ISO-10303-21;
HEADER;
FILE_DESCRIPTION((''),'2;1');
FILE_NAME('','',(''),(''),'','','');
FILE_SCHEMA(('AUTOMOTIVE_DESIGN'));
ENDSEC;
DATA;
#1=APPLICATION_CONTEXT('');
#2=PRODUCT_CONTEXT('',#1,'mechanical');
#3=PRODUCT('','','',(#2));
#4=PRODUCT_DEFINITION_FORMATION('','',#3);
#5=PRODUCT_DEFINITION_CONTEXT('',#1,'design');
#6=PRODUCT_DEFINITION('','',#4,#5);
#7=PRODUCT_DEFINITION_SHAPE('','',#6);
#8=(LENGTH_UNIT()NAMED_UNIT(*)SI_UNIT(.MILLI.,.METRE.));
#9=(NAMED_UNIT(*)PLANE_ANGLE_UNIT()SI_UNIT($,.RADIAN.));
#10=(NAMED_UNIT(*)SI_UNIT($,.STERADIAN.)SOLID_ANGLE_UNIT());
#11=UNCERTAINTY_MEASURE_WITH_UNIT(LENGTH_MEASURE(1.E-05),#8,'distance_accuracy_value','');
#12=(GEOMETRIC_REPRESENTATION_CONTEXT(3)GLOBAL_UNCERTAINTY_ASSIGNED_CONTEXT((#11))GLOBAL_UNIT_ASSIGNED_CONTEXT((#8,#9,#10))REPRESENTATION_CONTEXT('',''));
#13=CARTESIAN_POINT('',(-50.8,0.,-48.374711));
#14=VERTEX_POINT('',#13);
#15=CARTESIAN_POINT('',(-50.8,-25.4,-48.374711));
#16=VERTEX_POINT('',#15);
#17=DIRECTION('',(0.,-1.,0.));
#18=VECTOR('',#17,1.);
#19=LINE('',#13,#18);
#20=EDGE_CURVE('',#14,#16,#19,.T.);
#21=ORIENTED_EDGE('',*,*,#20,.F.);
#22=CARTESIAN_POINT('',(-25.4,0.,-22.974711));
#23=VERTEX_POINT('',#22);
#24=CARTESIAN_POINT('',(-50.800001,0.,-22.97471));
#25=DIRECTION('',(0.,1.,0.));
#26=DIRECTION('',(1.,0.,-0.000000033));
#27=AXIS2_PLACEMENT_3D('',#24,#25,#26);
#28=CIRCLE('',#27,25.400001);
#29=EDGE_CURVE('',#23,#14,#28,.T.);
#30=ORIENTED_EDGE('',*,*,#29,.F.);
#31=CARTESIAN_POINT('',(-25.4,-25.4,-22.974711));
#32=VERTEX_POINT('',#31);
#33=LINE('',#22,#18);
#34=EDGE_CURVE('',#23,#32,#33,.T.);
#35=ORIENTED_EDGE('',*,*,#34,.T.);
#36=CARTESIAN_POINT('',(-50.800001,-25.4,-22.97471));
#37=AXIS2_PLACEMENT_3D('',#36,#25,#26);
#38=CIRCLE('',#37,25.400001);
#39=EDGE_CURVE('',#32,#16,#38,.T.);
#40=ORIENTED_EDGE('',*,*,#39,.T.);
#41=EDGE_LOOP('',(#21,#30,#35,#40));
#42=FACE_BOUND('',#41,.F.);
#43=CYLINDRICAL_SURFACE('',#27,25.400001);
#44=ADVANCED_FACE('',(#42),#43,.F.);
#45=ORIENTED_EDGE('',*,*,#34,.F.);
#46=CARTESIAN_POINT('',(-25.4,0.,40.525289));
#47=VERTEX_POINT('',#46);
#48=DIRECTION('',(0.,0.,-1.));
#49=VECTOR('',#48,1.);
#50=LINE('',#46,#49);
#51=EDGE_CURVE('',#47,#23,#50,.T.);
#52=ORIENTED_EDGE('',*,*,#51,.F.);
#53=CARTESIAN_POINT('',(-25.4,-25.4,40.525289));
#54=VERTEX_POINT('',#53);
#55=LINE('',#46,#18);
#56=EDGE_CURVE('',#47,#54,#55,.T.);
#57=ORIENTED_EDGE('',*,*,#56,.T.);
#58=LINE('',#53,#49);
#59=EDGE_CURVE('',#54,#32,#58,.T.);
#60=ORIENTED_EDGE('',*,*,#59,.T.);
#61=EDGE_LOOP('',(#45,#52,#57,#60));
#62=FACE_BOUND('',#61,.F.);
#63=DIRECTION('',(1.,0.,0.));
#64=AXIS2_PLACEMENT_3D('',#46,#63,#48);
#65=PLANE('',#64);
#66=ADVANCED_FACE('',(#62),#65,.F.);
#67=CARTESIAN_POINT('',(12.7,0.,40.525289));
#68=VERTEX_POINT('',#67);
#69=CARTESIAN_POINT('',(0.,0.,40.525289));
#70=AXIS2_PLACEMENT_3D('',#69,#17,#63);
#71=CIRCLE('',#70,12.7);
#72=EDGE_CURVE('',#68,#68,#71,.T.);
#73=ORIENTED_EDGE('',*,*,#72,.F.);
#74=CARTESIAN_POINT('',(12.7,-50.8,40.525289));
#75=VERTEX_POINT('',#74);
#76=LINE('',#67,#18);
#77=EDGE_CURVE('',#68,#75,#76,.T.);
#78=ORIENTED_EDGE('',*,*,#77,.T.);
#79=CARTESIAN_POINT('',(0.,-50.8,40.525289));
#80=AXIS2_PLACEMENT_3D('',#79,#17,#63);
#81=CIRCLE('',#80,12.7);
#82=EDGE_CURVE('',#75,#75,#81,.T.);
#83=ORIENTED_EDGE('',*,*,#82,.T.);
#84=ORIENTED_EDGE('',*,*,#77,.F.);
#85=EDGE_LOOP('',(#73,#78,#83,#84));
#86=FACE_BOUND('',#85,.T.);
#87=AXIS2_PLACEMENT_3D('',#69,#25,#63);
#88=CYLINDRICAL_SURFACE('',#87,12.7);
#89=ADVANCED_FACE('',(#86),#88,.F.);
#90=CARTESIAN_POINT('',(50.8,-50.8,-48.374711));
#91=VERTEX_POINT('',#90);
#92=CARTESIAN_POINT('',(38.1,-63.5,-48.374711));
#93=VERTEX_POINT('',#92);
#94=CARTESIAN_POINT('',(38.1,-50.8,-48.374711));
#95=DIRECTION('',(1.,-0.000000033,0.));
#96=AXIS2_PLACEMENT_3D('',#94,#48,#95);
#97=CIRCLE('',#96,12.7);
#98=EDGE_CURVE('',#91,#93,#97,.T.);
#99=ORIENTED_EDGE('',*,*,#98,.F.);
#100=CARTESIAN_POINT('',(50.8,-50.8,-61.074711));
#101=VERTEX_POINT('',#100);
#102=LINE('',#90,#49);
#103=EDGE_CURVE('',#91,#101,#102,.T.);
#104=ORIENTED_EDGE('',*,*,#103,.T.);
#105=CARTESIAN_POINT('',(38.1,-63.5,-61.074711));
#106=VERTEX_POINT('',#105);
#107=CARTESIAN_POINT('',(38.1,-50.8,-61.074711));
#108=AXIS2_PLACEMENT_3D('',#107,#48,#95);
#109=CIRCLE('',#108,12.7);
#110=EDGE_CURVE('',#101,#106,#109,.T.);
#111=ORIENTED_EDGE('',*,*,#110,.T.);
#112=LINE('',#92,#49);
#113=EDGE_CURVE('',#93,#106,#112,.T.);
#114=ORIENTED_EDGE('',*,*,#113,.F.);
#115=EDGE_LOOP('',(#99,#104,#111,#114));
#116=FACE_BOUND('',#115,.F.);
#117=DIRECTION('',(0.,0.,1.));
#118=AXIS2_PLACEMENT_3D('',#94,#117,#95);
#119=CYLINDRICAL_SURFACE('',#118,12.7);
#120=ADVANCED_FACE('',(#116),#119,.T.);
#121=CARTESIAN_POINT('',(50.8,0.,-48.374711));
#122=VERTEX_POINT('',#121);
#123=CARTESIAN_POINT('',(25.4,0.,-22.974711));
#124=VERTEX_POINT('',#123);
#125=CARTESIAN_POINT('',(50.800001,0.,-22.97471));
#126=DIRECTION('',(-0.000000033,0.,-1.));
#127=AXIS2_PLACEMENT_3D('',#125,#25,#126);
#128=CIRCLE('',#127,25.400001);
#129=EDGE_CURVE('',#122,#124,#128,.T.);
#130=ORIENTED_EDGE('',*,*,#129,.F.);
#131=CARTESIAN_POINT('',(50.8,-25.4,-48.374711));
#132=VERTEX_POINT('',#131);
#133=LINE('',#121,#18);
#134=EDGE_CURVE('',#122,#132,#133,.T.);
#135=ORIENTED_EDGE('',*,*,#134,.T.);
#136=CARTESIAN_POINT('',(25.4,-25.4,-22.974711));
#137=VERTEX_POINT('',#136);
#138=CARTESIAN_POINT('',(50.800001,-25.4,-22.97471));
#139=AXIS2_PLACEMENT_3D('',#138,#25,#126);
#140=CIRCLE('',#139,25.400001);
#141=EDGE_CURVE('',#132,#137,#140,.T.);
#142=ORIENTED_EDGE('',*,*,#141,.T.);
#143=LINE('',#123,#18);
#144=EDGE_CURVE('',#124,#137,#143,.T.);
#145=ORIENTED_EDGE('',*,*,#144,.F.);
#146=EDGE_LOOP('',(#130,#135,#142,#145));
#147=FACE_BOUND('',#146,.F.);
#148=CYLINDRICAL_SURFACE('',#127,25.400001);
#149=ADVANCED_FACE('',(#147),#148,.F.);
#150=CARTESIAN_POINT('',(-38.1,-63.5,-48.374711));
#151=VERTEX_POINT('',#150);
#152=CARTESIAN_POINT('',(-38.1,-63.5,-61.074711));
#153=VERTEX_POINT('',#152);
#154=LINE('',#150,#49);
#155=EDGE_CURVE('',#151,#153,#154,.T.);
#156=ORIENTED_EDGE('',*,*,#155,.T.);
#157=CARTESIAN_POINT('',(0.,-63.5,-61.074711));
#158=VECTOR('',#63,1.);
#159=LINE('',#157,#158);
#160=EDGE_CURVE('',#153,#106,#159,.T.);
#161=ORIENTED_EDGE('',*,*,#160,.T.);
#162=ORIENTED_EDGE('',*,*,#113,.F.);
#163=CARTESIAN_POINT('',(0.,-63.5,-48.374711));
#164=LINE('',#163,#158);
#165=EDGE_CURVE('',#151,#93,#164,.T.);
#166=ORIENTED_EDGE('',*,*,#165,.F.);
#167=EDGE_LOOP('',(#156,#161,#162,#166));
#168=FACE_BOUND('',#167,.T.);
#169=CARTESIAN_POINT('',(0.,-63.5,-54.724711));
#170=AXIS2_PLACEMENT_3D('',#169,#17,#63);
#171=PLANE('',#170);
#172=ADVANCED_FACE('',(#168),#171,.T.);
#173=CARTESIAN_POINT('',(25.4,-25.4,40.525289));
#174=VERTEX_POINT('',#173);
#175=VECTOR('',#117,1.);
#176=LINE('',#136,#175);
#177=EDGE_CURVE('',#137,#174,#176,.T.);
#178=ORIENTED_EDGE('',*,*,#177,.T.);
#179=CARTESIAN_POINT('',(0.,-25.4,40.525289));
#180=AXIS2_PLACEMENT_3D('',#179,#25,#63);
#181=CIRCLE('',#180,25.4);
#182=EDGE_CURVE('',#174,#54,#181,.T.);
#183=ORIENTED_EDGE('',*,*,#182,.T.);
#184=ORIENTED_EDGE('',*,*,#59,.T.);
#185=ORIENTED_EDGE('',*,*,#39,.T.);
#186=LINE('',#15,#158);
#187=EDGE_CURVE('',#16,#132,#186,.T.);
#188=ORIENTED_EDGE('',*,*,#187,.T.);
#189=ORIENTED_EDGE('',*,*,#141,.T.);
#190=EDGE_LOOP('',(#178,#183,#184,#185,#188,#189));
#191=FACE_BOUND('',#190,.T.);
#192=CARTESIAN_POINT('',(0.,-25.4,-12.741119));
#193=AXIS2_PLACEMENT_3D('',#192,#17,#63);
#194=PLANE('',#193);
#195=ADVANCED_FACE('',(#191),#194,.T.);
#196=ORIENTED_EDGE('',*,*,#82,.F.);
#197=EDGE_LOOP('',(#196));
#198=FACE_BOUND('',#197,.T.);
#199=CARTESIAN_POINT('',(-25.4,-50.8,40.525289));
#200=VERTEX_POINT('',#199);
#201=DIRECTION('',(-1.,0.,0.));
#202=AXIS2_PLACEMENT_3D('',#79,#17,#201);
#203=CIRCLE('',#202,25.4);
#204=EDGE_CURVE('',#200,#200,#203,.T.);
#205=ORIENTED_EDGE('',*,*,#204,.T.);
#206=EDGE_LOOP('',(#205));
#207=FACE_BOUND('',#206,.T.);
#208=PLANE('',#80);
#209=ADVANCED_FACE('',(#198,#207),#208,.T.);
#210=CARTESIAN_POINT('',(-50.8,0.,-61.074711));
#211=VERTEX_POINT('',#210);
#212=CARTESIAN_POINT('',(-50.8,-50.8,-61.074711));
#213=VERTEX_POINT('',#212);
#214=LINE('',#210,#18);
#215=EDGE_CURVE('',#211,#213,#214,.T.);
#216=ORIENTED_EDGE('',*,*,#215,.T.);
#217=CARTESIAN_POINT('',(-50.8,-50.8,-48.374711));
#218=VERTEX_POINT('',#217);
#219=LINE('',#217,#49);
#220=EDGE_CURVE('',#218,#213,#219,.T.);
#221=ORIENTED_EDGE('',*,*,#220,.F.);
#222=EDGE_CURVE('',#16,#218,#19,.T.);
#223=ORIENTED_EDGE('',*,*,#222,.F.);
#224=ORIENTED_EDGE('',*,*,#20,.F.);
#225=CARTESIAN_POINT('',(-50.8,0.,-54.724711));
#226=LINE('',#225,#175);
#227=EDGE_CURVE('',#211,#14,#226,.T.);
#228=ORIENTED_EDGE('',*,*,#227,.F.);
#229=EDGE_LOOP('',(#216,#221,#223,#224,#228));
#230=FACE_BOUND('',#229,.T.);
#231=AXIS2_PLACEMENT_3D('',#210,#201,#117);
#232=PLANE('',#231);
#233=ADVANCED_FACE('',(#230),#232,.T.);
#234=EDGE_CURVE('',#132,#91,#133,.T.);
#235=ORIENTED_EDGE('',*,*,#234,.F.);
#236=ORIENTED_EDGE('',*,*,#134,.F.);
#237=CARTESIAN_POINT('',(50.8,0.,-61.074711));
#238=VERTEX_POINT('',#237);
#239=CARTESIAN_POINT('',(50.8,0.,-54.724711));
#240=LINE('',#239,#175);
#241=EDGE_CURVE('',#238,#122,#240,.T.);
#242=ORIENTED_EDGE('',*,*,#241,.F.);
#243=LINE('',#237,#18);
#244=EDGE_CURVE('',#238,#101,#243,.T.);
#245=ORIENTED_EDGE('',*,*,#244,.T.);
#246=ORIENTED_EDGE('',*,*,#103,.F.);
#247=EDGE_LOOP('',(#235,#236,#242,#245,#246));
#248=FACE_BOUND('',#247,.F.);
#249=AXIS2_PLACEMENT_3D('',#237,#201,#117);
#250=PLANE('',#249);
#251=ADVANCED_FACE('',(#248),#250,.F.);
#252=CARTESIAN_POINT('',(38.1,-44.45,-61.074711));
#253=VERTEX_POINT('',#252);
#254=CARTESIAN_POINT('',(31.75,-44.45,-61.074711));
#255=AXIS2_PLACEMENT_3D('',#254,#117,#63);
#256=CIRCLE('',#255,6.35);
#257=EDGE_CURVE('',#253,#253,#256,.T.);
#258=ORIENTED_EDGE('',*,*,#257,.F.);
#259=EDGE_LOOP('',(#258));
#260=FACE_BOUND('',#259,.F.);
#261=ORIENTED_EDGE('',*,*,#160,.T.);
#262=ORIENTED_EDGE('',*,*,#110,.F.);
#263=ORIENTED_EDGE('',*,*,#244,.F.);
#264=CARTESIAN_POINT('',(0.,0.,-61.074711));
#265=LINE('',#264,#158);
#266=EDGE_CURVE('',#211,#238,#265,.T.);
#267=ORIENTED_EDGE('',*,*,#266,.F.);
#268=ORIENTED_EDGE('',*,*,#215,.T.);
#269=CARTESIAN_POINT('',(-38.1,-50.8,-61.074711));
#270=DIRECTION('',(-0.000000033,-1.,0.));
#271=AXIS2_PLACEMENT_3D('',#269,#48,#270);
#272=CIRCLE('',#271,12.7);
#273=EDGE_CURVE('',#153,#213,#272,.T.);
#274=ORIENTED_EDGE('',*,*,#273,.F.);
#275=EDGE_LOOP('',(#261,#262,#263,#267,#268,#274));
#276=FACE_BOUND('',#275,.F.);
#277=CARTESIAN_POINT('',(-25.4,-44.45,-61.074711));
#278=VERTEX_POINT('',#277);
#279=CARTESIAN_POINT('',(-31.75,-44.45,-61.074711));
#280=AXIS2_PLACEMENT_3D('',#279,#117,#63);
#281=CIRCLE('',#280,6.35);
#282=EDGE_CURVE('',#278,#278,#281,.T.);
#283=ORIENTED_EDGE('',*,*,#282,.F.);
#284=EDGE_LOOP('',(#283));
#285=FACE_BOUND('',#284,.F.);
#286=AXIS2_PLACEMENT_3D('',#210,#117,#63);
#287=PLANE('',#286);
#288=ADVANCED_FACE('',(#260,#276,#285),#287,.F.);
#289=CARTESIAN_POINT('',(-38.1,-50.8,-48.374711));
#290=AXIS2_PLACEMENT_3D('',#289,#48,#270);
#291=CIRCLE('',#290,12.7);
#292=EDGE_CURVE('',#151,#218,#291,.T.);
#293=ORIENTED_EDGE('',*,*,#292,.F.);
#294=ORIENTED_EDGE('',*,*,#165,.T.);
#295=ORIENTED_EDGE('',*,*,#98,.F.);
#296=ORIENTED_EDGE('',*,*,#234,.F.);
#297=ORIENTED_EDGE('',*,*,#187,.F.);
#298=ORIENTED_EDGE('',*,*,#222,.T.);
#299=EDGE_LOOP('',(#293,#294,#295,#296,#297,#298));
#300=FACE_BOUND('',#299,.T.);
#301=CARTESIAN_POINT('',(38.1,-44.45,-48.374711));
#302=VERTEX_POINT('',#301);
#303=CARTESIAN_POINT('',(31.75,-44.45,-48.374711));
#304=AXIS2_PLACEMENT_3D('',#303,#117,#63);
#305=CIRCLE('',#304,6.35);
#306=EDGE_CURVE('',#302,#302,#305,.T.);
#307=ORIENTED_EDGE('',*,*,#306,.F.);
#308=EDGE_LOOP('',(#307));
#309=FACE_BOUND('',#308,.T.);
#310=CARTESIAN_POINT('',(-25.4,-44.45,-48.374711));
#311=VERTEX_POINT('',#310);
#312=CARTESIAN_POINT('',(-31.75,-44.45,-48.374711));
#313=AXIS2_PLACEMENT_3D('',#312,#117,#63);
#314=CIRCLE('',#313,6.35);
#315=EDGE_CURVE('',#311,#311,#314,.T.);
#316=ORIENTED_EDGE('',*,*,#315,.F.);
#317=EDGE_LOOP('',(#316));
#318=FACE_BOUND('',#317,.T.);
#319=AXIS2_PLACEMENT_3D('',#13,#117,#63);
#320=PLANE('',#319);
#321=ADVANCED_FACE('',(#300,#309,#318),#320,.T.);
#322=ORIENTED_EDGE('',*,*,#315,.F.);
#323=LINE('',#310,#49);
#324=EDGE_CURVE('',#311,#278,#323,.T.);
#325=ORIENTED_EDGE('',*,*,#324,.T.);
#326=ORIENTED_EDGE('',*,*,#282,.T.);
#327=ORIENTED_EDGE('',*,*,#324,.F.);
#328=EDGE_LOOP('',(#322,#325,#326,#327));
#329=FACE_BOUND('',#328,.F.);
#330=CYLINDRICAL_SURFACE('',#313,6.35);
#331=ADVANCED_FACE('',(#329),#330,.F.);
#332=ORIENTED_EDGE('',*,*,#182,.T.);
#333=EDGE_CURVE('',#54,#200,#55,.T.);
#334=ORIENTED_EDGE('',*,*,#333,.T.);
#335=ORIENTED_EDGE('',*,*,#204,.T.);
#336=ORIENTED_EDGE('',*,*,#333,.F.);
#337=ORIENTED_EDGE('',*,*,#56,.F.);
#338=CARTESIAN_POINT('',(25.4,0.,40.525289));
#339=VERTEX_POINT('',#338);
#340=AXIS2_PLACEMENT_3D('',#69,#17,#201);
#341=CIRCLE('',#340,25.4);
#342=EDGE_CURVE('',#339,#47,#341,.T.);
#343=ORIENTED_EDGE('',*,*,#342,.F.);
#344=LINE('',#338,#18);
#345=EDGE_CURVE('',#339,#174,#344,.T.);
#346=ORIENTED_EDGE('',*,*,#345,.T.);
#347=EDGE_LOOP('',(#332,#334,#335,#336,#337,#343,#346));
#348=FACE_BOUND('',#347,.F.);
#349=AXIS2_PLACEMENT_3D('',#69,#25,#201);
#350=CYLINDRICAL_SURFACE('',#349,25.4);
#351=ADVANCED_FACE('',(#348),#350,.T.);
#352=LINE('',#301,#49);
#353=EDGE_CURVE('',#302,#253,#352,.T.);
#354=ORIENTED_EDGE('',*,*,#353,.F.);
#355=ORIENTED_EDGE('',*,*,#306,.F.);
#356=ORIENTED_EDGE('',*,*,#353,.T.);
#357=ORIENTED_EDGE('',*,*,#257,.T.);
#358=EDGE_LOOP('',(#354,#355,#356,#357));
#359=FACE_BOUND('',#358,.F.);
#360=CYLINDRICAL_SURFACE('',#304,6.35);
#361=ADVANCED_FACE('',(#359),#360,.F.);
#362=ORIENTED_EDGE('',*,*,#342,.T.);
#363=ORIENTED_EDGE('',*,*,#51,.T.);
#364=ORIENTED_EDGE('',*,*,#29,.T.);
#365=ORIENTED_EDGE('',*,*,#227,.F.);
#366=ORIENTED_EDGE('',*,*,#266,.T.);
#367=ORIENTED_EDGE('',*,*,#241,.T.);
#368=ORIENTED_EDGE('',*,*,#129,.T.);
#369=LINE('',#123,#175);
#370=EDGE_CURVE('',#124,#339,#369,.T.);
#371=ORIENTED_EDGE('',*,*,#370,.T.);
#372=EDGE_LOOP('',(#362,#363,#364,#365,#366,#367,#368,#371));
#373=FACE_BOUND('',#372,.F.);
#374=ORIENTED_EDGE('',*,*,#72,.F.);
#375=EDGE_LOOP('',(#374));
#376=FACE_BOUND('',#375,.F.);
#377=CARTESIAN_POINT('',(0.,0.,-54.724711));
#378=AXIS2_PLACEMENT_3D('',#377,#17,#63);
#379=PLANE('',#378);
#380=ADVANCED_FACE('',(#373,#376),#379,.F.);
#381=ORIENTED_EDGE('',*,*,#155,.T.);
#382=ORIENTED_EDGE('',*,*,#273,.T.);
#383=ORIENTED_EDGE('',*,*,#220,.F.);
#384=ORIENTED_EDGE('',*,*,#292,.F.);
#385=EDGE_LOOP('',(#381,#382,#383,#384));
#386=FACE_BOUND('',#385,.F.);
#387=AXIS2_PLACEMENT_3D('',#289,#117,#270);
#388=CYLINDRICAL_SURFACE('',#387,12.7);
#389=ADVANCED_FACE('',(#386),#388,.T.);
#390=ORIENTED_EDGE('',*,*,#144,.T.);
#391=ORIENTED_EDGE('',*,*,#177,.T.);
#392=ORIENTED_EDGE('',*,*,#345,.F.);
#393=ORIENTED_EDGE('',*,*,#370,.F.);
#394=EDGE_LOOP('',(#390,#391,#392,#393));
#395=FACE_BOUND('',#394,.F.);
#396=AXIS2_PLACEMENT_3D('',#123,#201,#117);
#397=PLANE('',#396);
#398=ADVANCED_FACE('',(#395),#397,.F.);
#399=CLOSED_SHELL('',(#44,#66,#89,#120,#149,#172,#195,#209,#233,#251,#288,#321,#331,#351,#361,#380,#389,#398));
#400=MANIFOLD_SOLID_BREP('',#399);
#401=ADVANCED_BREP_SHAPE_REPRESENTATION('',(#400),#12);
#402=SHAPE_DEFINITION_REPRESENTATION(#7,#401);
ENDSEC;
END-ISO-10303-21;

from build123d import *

# Parameters (mm, degrees)
F1_DEPTH = 25.4
F0_R     = 12.7
F2_DEPTH = 50.8
F0_W     = 101.6
F0_H     = 12.7
F3_DEPTH = 63.5
F4_R     = 6.35
F5_DEPTH = 12.7


with BuildPart() as f1:
    # F0 (on Front) → F1 (new body)
    with BuildSketch(Plane.XZ):
        with BuildLine():
            ThreePointArc((25.4, 40.525289), (0, 15.125289), (-25.4, 40.525289))
            Line((-25.4, 40.525289), (-25.4, -22.974711))
            ThreePointArc((-25.4, -22.974711), (-32.839488, -40.935223), (-50.8, -48.374711))
            Line((-50.8, -48.374711), (50.8, -48.374711))
            ThreePointArc((50.8, -48.374711), (32.839488, -40.935223), (25.4, -22.974711))
            Line((25.4, -22.974711), (25.4, 40.525289))
        make_face()
    extrude(amount=F1_DEPTH)

    # F0 (on Front) → F2 (join)
    with BuildSketch(Plane.XZ):
        with BuildLine():
            ThreePointArc((25.4, 40.525289), (0, 65.925289), (-25.4, 40.525289))
            ThreePointArc((-25.4, 40.525289), (0, 15.125289), (25.4, 40.525289))
        make_face()
        with Locations((0, 40.525289)):
            Circle(F0_R, mode=Mode.SUBTRACT)
    extrude(amount=F2_DEPTH)

    # F0 (on Front) → F3 (join)
    with BuildSketch(Plane.XZ):
        with Locations((0, -54.724711)):
            Rectangle(F0_W, F0_H)
    extrude(amount=F3_DEPTH)

    # F4 (on face) → F5 (cut)
    with BuildSketch(Plane.XY.offset(-48.374711)):
        with Locations((-31.75, -44.45)):
            Circle(F4_R)
        with BuildLine():
            Line((-50.8, -63.5), (-38.1, -63.5))
            ThreePointArc((-38.1, -63.5), (-47.080256, -59.780256), (-50.8, -50.8))
            Line((-50.8, -50.8), (-50.8, -63.5))
        make_face()
        with BuildLine():
            ThreePointArc((50.8, -50.8), (47.080256, -59.780256), (38.1, -63.5))
            Line((38.1, -63.5), (50.8, -63.5))
            Line((50.8, -63.5), (50.8, -50.8))
        make_face()
        with Locations((31.75, -44.45)):
            Circle(F4_R)
    extrude(amount=-F5_DEPTH, mode=Mode.SUBTRACT)


solid = f1.part
